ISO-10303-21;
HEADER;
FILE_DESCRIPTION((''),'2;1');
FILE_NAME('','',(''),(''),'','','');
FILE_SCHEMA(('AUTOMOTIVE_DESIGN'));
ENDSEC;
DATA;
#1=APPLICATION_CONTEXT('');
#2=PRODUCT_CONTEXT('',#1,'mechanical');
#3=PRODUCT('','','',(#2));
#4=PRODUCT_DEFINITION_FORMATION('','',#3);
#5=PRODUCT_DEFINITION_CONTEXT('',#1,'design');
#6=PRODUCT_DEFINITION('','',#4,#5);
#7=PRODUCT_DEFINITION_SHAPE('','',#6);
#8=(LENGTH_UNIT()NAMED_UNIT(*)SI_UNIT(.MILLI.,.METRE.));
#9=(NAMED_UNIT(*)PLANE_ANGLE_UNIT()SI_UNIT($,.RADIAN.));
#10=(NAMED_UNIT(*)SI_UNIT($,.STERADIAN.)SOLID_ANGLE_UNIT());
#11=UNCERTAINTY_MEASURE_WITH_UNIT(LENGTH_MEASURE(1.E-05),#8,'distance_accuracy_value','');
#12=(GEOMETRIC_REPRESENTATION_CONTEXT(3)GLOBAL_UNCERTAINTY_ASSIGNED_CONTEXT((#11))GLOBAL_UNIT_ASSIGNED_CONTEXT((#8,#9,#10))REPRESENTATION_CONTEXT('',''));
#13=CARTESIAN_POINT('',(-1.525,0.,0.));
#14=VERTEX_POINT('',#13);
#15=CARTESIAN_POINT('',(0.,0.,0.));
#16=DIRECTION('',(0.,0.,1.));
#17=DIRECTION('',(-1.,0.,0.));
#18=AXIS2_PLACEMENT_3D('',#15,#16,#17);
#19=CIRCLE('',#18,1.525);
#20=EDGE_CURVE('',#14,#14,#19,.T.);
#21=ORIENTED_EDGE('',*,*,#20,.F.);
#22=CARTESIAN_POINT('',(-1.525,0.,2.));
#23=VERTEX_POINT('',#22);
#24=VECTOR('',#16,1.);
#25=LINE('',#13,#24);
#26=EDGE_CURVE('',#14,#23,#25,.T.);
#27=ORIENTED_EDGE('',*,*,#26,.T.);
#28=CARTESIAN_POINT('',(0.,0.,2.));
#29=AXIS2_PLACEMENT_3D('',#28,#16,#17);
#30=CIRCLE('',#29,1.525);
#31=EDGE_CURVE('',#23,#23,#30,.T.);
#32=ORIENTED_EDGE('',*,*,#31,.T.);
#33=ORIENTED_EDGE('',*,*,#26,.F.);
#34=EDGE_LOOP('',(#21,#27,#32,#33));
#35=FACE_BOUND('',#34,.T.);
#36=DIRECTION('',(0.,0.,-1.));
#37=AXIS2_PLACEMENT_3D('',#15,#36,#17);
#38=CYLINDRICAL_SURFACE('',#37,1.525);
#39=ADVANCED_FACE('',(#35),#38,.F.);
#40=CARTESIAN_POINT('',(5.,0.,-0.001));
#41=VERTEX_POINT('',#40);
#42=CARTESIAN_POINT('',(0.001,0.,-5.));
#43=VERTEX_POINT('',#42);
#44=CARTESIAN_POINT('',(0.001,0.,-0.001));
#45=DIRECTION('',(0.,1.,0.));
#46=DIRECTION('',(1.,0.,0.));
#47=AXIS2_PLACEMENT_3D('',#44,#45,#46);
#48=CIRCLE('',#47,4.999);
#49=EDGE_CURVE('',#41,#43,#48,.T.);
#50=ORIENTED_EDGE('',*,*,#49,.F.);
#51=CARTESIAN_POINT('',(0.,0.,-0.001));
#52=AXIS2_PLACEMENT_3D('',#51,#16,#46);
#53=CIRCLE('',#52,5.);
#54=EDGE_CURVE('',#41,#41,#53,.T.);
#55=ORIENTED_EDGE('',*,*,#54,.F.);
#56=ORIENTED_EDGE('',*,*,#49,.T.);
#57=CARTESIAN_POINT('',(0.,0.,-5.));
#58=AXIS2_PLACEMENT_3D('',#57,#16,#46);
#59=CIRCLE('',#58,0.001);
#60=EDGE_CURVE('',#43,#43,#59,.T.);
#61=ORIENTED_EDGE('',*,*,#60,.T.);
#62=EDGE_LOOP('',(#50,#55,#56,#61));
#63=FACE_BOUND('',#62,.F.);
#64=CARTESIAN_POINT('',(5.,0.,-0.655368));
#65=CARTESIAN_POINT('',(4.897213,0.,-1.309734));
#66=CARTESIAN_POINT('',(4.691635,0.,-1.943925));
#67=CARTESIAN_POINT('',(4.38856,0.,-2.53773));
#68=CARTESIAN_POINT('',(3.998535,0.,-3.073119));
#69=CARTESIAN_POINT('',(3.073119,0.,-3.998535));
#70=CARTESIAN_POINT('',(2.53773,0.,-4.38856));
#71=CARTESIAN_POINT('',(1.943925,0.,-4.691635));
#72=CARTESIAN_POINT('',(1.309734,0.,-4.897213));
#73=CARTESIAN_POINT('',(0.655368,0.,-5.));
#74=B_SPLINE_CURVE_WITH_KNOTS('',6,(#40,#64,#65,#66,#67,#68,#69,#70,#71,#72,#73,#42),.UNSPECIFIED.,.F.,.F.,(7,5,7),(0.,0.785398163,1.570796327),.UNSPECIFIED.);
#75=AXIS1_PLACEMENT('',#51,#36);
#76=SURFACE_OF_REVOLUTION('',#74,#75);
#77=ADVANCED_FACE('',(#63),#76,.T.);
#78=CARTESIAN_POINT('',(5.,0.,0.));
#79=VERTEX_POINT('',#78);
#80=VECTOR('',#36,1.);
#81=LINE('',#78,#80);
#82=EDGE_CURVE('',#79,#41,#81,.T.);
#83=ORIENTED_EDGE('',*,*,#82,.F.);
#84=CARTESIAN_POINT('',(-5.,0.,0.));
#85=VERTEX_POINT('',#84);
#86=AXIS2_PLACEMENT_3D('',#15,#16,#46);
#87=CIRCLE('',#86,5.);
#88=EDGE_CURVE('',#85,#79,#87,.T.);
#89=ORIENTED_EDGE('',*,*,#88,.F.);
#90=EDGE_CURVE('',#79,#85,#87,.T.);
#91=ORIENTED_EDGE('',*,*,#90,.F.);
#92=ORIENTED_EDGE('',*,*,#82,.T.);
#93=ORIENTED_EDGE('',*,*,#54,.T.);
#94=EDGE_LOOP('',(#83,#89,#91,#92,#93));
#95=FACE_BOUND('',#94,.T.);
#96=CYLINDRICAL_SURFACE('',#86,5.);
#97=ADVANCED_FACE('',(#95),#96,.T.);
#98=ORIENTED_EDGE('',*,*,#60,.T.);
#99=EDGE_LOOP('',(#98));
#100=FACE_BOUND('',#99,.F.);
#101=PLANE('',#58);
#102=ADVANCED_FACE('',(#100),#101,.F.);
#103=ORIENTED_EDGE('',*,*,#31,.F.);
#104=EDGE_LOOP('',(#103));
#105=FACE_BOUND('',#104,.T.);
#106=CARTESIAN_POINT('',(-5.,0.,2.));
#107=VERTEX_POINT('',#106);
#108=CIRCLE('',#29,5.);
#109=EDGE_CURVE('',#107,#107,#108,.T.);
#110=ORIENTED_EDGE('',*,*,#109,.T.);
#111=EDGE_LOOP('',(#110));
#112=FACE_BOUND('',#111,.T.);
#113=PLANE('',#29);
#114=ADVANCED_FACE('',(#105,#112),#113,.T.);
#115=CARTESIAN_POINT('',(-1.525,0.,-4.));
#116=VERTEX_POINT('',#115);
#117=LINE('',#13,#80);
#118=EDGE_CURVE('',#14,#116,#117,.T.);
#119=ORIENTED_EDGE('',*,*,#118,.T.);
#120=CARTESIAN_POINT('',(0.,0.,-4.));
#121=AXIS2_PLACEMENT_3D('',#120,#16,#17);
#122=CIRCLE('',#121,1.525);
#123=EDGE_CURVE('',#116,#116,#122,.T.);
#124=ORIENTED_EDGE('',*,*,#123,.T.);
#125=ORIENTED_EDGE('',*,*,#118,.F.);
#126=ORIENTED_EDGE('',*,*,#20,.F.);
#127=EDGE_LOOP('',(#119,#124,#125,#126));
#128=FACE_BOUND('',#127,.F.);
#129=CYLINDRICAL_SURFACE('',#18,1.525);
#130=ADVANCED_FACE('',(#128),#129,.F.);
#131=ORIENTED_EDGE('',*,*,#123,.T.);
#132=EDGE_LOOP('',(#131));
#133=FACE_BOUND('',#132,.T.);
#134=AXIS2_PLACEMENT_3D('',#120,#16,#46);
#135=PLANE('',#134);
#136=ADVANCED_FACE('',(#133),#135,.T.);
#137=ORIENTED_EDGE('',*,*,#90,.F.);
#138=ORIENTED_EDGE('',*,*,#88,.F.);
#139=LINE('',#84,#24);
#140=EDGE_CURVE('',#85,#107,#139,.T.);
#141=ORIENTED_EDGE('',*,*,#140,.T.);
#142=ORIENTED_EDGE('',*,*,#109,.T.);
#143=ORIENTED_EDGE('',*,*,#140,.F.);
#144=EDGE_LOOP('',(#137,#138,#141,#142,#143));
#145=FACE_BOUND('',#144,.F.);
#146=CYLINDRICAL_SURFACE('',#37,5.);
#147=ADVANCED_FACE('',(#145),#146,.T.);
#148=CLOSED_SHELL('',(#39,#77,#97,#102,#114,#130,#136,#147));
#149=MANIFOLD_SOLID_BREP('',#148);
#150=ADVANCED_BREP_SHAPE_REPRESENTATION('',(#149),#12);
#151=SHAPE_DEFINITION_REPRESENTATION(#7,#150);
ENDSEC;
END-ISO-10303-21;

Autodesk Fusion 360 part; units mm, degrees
sketch "Skizze1" plane through (0, 0, 0) normal (0, 0, 1) x (1, 0, 0)
sketch "Skizze2" plane through (0, 0, 0) normal (0, 0, 1) x (1, 0, 0)
  circle A0 centre (0, 0) radius 5
extrude "Extrusion1" add sketch "Skizze2" against normal blind 5
fillet "Abrundung1" radius 5 1 edges at (-4.6616, 1.8081, -5)
sketch "Skizze3" plane through (0, 0, 0) normal (0, 0, 1) x (-1, 0, 0)
  circle A0 centre (0, 0) radius 5
  circle A1 centre (0, 0) radius 1.525
  dimension "d5" = 3.05
extrude "Extrusion2" add sketch "Skizze3" along normal blind 2
extrude "Extrusion3" cut 1 faces at (0.5137, -0.5901, 0) along direction (0, 0, -1) blind 4
